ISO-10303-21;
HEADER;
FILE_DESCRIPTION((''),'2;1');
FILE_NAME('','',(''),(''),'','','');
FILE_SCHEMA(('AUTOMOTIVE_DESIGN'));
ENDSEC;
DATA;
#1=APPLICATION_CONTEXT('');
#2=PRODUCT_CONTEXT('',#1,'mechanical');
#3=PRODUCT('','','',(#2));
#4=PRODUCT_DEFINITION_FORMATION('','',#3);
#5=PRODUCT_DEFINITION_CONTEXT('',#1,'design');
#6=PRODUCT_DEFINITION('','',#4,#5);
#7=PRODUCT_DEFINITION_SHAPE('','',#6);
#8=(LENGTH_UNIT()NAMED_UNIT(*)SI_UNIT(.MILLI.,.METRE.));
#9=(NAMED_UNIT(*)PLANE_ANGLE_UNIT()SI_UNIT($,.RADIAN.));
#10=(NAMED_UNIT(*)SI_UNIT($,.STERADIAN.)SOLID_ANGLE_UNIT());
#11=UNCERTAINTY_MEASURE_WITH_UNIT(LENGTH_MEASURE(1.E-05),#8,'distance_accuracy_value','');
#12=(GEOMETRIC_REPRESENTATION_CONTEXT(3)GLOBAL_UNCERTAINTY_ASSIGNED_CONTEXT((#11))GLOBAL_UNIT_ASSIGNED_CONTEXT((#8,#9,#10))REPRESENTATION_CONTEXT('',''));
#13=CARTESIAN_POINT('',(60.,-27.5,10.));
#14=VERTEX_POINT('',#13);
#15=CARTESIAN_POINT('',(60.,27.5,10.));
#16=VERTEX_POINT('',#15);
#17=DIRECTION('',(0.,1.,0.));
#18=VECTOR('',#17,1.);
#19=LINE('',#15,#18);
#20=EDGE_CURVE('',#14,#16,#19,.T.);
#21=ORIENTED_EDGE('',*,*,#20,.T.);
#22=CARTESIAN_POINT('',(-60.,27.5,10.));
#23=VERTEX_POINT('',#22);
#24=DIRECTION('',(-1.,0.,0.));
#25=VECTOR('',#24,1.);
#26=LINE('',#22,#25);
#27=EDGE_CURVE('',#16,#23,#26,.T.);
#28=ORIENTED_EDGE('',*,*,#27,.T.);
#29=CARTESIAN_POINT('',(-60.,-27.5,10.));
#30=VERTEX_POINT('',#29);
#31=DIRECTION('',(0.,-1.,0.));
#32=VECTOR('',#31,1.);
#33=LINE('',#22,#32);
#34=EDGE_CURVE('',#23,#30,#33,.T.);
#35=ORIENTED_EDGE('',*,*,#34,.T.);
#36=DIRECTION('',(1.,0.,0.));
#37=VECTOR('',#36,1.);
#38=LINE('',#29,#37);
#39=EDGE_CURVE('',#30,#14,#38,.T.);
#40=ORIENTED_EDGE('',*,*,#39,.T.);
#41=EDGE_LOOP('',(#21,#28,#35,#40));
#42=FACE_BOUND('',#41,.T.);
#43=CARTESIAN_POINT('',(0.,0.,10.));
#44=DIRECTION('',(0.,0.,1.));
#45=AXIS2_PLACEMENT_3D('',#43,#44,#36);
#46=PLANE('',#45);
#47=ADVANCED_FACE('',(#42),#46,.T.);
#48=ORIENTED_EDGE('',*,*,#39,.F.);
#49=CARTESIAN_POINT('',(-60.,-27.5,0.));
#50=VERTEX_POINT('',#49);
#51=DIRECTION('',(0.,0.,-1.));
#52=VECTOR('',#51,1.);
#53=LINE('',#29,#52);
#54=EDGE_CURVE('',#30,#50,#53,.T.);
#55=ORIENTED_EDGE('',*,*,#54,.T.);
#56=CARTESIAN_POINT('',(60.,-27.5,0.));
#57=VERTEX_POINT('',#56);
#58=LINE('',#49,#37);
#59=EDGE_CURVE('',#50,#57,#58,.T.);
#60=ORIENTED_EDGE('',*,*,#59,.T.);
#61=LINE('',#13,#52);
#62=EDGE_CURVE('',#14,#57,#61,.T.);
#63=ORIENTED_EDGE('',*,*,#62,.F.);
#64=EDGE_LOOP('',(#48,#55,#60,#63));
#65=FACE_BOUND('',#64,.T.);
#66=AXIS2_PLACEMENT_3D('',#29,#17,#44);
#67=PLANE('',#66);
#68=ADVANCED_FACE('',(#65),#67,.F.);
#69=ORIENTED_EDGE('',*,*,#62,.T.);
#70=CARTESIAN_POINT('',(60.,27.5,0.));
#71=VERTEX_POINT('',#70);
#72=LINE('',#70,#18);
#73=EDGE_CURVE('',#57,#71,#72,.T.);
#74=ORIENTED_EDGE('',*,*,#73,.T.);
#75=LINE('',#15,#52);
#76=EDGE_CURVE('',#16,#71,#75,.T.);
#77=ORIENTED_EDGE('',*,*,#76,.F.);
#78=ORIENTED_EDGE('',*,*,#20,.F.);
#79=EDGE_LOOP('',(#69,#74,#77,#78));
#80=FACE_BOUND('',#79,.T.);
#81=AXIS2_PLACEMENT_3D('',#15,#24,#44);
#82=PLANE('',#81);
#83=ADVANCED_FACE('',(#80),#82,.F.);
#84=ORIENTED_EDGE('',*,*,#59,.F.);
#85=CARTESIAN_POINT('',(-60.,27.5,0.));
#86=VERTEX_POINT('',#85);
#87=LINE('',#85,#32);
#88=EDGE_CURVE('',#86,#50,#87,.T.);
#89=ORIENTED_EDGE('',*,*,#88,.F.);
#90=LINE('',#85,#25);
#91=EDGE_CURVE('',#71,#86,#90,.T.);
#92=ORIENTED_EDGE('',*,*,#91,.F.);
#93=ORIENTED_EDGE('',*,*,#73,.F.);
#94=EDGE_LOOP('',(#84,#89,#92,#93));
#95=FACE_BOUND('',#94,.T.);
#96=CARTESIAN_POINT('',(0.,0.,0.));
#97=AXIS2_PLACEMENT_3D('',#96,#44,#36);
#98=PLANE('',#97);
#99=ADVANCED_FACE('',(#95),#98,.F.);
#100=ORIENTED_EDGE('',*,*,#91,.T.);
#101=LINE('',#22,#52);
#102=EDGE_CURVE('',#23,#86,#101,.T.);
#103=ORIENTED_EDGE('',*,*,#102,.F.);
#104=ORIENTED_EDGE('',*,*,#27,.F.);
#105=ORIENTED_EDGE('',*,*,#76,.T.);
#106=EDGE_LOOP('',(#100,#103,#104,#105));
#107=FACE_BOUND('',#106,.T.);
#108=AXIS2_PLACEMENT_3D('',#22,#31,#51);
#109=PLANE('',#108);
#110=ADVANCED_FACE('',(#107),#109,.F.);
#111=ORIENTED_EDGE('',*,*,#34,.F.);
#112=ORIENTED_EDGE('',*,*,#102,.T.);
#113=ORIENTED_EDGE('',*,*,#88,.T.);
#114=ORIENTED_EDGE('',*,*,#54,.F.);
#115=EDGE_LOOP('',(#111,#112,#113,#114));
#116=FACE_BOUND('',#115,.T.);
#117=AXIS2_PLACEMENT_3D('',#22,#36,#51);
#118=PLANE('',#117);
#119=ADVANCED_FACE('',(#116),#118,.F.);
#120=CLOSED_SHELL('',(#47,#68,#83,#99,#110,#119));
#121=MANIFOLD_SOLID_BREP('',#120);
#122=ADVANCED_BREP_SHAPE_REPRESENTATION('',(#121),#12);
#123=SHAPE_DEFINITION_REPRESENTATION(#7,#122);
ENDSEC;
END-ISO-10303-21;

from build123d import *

# Parameters (mm, degrees)
SKETCH_1_W      = 120
SKETCH_1_H      = 55
EXTRUDE_1_DEPTH = 10


with BuildPart() as part:
    # 草圖1 → 填料-伸長1 (new body)
    with BuildSketch(Plane.XY):
        Rectangle(SKETCH_1_W, SKETCH_1_H)
    extrude(amount=EXTRUDE_1_DEPTH)


solid = part.part
